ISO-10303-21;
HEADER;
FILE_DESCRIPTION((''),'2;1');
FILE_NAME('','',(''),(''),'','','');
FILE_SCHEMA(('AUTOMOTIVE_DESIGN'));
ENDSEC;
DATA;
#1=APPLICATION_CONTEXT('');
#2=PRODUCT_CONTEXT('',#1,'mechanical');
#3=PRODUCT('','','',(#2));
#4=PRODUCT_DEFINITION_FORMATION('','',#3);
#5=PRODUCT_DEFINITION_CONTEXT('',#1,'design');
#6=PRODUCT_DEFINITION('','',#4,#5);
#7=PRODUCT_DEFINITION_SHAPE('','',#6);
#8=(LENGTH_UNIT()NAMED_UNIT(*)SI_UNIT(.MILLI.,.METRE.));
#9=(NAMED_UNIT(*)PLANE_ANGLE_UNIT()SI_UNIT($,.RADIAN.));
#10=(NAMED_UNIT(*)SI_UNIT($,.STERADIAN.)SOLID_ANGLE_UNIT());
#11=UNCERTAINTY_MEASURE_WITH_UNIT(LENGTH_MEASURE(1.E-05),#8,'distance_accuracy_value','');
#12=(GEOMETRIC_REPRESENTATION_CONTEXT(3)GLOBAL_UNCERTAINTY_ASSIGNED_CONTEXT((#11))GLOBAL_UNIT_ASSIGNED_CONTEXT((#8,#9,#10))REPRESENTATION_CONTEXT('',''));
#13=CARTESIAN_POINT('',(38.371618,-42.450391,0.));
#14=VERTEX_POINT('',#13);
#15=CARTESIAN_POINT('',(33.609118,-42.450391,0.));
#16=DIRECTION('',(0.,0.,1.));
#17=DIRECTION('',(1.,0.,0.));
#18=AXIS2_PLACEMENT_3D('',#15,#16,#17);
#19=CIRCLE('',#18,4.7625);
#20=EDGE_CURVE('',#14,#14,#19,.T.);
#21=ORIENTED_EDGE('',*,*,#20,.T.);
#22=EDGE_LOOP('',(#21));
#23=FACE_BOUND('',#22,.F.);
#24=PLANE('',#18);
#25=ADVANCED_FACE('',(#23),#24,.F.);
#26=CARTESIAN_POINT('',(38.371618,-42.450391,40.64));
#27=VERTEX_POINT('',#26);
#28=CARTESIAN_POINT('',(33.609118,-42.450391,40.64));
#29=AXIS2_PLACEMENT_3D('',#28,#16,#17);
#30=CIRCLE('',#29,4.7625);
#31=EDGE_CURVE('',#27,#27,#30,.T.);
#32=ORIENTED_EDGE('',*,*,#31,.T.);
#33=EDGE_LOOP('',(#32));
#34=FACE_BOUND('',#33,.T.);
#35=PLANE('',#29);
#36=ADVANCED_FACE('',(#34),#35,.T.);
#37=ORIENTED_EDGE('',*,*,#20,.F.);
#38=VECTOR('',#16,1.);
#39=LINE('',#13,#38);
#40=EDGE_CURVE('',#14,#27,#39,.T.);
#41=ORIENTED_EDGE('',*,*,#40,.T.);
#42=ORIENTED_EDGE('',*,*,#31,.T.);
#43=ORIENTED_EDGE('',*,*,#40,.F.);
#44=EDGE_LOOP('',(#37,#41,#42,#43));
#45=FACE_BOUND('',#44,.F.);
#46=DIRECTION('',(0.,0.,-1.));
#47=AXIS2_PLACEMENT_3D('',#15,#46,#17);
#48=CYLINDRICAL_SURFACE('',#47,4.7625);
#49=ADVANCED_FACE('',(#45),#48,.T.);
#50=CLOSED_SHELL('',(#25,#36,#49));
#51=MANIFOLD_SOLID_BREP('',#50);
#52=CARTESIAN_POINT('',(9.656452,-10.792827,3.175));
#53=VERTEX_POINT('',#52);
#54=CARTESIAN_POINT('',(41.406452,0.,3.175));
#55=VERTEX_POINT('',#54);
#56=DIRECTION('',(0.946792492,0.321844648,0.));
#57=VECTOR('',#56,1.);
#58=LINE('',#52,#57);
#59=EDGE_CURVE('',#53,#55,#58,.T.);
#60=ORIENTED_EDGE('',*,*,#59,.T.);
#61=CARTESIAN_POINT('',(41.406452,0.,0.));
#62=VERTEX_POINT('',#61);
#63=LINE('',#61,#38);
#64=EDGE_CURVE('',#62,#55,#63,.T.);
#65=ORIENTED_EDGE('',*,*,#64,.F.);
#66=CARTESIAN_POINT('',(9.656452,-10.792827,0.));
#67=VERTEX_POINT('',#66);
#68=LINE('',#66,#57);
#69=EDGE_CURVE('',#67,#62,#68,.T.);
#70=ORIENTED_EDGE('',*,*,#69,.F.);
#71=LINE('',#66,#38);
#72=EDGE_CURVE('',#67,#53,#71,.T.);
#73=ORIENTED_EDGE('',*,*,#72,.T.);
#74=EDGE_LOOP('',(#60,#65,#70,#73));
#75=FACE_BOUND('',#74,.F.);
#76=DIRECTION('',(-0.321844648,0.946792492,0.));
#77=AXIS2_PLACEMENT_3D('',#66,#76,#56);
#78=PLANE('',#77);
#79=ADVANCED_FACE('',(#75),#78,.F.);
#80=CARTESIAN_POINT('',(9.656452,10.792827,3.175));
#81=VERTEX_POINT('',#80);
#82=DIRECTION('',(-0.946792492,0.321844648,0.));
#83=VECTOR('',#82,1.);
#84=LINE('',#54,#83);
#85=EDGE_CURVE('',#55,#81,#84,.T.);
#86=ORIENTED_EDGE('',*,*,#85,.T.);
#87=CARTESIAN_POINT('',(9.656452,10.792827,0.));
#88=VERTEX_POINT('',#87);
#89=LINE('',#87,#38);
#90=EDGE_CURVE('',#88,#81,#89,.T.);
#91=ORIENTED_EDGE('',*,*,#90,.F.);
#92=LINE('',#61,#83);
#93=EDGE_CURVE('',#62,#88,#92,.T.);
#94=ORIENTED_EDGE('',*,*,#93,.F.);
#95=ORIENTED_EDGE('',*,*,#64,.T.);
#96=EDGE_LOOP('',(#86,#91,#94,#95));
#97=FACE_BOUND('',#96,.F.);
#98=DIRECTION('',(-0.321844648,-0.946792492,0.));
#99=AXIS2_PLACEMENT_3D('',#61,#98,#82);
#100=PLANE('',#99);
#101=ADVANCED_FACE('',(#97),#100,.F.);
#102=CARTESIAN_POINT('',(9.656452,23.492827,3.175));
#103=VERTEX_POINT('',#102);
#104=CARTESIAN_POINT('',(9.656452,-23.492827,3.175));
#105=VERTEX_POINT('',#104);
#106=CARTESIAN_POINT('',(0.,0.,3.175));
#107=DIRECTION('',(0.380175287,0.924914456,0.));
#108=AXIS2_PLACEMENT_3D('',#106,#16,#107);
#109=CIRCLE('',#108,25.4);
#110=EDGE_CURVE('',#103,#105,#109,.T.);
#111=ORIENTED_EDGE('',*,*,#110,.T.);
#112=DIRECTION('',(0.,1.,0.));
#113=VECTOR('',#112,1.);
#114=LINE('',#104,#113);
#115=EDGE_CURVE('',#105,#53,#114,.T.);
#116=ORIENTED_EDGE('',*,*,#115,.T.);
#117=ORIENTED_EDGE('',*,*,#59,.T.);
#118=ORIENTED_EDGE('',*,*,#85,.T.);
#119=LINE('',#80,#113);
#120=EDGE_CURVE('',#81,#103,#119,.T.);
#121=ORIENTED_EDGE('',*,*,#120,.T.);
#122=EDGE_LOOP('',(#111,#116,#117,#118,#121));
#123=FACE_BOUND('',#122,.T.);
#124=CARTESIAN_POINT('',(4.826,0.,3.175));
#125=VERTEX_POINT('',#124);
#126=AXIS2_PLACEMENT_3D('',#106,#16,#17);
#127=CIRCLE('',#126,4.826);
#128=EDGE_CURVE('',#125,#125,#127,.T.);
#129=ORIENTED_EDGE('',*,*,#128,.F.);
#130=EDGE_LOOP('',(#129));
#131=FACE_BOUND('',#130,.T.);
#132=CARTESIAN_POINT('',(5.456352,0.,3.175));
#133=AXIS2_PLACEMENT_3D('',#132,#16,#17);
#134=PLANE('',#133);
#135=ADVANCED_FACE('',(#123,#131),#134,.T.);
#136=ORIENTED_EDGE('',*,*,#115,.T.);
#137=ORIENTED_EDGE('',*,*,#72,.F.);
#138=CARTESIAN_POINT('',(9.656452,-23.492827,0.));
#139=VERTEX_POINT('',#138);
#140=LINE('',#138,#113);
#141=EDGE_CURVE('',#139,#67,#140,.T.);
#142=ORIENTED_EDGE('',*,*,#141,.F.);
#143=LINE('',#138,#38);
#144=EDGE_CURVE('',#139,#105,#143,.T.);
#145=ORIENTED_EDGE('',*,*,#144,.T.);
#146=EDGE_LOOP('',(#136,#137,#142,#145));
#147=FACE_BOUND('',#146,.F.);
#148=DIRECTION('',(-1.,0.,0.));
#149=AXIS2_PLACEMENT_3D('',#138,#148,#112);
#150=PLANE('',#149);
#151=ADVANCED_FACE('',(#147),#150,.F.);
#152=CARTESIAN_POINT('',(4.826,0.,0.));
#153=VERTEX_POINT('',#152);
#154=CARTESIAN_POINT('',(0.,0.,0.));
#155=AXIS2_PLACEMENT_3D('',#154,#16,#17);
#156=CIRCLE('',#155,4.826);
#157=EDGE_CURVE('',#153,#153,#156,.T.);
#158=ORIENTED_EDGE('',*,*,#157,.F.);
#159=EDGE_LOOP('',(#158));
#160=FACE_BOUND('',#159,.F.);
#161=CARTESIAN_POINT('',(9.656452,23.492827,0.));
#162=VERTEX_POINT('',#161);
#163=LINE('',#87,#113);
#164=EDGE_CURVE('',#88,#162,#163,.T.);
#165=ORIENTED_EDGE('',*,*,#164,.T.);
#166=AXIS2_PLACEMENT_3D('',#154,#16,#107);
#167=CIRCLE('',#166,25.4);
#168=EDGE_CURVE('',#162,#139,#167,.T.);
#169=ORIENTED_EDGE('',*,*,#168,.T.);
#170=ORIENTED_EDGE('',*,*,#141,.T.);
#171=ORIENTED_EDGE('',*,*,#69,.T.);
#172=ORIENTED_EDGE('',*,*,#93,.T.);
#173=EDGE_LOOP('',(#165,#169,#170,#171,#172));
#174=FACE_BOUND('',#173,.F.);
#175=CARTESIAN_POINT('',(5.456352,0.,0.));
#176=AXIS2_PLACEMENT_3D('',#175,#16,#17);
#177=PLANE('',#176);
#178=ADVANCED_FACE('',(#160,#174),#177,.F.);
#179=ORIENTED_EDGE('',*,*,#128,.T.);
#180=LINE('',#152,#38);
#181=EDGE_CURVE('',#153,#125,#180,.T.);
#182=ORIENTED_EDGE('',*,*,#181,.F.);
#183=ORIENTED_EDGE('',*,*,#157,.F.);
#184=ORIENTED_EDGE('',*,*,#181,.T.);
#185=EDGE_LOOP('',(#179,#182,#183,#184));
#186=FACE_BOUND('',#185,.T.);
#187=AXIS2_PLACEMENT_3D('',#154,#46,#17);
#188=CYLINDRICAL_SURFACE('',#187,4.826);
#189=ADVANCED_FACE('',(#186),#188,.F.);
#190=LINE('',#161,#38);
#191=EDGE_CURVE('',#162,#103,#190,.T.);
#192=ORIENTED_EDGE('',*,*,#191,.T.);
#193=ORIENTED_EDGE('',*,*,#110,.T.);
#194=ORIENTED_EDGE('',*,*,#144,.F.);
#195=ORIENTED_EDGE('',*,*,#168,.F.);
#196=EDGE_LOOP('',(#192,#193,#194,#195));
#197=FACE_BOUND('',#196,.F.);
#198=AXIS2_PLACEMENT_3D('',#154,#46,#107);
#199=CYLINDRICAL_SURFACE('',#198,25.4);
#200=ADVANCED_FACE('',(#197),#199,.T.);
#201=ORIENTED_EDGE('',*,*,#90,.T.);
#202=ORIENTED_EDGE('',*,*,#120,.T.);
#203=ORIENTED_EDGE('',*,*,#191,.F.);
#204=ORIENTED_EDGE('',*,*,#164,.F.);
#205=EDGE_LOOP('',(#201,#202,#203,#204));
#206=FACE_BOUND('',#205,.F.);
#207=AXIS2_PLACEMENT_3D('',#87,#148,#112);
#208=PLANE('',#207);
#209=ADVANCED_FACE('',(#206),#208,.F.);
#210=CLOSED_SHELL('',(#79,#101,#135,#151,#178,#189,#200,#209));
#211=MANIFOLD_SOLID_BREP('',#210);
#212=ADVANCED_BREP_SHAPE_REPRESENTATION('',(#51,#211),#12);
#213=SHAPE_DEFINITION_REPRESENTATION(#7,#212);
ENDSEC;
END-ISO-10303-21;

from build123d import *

# Parameters (mm, degrees)
F0_R     = 4.826
F1_DEPTH = 3.175
F2_R     = 4.7625
F3_DEPTH = 40.64


with BuildPart() as f1:
    # F0 (on Top) → F1 (new body)
    with BuildSketch(Plane.XY):
        with BuildLine():
            Line((9.656452, 10.792827), (9.656452, 23.492827))
            ThreePointArc((9.656452, 23.492827), (-25.4, 0), (9.656452, -23.492827))
            Line((9.656452, -23.492827), (9.656452, -10.792827))
            Line((9.656452, -10.792827), (41.406452, 0))
            Line((41.406452, 0), (9.656452, 10.792827))
        make_face()
        Circle(F0_R, mode=Mode.SUBTRACT)
    extrude(amount=F1_DEPTH)


with BuildPart() as f3:
    # F2 (on Top) → F3 (new body)
    with BuildSketch(Plane.XY):
        with Locations((33.609118, -42.450391)):
            Circle(F2_R)
    extrude(amount=F3_DEPTH)


solid = Compound([f1.part, f3.part])
